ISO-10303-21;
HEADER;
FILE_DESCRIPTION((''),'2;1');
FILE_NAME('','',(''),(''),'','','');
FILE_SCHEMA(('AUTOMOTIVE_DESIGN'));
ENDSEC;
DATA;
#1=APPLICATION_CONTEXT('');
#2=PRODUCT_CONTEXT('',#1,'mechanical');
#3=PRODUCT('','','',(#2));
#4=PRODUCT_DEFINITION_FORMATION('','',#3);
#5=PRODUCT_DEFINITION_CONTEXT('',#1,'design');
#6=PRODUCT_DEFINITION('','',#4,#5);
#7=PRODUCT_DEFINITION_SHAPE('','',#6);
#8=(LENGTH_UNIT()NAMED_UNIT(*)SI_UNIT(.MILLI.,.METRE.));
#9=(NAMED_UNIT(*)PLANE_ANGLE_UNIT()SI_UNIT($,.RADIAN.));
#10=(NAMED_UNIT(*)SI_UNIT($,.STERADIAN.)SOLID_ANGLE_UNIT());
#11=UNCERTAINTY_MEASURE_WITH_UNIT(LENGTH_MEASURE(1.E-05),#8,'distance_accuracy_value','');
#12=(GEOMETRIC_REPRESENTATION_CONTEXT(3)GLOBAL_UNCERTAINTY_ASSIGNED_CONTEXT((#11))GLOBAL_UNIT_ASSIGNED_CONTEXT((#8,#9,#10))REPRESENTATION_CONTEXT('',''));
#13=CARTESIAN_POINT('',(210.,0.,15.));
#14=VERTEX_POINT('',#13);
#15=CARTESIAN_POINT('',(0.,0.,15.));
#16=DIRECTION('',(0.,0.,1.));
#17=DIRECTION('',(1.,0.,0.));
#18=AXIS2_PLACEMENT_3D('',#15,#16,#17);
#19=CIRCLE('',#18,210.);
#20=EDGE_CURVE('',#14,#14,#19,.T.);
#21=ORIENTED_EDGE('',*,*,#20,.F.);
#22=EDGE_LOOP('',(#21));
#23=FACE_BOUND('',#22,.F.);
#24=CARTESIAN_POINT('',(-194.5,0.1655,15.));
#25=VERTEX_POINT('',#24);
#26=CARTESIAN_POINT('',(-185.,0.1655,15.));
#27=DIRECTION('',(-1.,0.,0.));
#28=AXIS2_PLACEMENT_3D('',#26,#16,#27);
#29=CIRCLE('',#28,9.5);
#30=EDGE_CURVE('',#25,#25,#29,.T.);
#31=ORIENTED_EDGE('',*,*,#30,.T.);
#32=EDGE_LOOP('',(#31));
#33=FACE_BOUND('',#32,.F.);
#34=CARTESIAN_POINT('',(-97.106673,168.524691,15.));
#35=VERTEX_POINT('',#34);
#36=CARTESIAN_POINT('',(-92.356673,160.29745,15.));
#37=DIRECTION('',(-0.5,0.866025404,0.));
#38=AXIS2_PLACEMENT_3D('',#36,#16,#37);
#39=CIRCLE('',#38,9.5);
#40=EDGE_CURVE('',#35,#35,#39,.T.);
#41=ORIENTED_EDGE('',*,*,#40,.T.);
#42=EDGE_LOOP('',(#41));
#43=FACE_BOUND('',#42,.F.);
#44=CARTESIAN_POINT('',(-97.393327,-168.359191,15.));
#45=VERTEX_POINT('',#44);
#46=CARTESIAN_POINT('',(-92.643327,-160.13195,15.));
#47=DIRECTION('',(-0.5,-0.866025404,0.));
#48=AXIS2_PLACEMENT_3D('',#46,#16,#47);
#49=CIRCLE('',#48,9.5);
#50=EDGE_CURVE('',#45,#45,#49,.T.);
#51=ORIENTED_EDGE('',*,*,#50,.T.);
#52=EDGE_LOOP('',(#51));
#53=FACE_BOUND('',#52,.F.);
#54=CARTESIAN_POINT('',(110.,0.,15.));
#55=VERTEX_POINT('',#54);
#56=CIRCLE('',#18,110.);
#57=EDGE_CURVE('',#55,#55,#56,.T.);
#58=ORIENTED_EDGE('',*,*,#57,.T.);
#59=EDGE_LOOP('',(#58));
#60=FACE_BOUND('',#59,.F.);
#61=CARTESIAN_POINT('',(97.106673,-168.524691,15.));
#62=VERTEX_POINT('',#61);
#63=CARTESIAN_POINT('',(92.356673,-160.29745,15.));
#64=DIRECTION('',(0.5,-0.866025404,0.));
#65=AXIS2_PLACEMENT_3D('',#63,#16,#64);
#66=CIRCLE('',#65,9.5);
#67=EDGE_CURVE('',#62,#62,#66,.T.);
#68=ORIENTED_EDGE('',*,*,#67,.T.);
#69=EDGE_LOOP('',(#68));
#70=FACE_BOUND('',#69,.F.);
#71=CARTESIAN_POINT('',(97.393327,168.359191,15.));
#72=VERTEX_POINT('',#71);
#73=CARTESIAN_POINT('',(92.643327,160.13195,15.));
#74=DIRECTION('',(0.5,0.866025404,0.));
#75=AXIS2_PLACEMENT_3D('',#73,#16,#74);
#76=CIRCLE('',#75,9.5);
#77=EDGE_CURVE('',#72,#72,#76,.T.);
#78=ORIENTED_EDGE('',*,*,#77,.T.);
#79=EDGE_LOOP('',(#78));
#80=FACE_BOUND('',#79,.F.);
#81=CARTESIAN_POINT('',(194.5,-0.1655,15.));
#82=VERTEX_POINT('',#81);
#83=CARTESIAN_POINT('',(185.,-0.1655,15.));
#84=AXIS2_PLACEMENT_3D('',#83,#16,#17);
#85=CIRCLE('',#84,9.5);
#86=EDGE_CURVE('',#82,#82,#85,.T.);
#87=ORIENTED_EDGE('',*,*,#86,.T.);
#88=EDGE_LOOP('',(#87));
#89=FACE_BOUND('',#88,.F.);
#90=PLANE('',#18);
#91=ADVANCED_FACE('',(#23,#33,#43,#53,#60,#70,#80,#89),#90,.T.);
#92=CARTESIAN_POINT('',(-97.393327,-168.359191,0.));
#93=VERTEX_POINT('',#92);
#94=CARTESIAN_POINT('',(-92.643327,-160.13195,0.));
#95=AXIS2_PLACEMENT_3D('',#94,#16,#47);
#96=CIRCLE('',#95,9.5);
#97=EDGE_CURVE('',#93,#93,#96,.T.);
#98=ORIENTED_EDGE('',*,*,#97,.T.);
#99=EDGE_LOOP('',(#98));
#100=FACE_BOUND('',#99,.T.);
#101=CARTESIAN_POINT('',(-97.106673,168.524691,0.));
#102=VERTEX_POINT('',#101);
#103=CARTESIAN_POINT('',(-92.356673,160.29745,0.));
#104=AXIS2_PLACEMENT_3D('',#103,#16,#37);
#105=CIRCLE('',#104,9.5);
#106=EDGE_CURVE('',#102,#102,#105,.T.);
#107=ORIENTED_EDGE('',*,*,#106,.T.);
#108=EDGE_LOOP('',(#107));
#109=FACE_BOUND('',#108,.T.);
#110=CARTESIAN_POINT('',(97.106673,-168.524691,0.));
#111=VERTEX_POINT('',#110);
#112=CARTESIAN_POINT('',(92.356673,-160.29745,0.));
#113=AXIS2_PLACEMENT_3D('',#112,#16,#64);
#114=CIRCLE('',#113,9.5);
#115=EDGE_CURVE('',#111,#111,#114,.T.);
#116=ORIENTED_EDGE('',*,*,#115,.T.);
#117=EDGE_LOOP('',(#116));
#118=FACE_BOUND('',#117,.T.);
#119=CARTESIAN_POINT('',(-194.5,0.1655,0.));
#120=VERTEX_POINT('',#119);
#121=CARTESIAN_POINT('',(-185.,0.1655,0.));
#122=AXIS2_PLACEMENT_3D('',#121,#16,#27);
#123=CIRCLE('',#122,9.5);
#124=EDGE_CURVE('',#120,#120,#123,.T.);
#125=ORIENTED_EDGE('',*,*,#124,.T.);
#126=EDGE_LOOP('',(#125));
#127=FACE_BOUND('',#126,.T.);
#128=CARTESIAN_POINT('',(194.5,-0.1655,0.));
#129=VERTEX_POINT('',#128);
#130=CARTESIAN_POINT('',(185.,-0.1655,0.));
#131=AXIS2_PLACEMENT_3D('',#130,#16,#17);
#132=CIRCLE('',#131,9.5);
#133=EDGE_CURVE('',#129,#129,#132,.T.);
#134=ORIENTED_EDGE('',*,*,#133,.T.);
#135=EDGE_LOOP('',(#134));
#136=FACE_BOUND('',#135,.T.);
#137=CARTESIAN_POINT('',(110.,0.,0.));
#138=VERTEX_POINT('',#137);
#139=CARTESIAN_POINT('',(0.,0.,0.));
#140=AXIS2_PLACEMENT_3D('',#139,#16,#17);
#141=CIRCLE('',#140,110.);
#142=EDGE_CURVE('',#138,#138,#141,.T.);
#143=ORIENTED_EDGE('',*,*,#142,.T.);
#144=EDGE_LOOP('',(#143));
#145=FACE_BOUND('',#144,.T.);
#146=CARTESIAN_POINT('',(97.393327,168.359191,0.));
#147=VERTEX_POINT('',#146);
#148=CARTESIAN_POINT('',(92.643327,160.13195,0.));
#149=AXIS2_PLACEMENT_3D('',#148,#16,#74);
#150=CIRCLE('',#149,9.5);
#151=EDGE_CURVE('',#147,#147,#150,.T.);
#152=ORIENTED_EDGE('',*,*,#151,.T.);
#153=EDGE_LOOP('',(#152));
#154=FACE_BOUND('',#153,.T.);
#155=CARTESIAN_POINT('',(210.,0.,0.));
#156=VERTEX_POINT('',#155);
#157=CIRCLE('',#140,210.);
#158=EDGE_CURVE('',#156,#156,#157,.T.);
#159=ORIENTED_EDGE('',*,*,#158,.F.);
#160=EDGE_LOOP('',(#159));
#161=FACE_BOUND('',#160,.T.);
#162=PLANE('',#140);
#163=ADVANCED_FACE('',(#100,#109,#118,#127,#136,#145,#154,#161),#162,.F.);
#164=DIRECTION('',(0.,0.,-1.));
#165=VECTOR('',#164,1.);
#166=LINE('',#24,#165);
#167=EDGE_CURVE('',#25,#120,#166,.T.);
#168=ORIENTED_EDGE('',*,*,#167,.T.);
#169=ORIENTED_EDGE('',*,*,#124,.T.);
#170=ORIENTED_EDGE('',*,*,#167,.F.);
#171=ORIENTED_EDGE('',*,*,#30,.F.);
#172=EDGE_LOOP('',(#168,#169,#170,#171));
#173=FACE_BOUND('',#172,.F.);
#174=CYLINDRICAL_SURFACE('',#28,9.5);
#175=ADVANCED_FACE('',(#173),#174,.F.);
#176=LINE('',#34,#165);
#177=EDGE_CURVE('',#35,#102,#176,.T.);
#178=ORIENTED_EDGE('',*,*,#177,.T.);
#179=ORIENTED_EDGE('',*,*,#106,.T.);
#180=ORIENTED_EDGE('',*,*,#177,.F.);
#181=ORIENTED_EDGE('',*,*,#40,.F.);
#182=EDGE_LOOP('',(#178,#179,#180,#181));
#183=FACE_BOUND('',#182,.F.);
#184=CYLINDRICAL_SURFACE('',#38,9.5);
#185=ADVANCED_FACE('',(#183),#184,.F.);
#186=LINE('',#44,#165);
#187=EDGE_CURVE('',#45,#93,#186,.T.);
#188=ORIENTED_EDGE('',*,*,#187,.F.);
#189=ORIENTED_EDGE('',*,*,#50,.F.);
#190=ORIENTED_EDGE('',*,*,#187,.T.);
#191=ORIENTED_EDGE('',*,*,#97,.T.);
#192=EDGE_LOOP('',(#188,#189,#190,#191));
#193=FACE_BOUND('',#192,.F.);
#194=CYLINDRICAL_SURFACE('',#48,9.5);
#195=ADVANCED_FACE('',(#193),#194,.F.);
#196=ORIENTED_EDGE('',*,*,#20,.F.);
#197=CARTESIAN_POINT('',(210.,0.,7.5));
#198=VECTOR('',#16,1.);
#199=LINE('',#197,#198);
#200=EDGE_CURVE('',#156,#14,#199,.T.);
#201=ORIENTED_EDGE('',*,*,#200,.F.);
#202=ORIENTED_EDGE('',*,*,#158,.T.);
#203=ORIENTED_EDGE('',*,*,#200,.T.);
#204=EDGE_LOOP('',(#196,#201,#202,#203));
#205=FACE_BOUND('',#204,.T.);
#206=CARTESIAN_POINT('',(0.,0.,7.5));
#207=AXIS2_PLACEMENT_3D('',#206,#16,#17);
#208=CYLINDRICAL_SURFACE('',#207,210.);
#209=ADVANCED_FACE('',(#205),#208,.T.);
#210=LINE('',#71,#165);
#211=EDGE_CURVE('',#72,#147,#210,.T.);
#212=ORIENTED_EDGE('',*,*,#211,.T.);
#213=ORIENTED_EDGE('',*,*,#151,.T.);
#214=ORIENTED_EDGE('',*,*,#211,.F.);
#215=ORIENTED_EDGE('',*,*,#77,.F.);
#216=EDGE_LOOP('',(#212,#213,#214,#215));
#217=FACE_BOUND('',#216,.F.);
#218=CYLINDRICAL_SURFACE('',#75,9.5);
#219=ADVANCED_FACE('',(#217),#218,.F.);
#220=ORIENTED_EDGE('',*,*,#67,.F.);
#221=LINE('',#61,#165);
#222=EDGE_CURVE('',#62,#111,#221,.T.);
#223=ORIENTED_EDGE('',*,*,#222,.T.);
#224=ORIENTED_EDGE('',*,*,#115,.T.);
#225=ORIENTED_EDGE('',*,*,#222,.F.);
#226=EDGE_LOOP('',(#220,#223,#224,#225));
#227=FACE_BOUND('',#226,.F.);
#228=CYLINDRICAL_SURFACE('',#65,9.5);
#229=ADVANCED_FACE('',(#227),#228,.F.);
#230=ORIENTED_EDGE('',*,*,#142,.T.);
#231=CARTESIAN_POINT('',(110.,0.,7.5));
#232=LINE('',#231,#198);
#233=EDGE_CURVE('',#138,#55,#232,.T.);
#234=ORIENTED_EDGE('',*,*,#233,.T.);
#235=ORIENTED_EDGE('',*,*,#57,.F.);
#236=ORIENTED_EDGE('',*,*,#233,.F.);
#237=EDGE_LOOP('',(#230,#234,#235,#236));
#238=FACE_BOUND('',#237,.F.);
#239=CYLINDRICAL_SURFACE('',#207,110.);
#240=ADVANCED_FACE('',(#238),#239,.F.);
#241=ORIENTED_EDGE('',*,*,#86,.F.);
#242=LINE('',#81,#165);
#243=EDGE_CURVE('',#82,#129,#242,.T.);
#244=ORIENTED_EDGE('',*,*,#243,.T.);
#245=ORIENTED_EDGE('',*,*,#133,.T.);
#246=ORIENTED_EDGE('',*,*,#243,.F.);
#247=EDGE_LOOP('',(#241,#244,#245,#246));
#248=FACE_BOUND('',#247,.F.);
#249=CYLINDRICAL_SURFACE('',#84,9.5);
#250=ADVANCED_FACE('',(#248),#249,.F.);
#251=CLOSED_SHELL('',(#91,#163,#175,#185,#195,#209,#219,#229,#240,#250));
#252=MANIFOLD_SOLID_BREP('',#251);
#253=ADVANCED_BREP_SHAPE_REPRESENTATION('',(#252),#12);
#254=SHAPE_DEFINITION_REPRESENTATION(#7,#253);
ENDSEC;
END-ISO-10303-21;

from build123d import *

# Parameters (mm, degrees)
SKETCH010_R      = 9.5
EXTRUDE004_DEPTH = 30
ARRAY003_COUNT   = 6
SKETCH005_W      = 100
SKETCH005_H      = 15


with BuildPart() as array003:
    # Sketch010 (on Face3 of Revolve) → Extrude004 (new body)
    with BuildSketch(Plane.XY.offset(15)):
        with Locations((185, -0.1655)):
            Circle(SKETCH010_R)
    extrude(amount=-EXTRUDE004_DEPTH)

    # Array003: Array003 ×6 about axis
    array003_axis = Axis((0, 0, 590.09), (0, 0, 1))


with BuildPart() as array003_1:
    add(array003.part)
    for i in range(1, ARRAY003_COUNT):
        add(array003.part.rotate(array003_axis, i * 360 / ARRAY003_COUNT))


with BuildPart() as cut005:
    # Sketch005 → Revolve (revolve)
    with BuildSketch(Plane.XZ):
        with Locations((160, 7.5)):
            Rectangle(SKETCH005_W, SKETCH005_H)
    revolve(axis=Axis((0, 0, 0), (0, 0, 1)))

    # Cut005: cut Array003
    add(array003_1.part, mode=Mode.SUBTRACT)


solid = cut005.part
